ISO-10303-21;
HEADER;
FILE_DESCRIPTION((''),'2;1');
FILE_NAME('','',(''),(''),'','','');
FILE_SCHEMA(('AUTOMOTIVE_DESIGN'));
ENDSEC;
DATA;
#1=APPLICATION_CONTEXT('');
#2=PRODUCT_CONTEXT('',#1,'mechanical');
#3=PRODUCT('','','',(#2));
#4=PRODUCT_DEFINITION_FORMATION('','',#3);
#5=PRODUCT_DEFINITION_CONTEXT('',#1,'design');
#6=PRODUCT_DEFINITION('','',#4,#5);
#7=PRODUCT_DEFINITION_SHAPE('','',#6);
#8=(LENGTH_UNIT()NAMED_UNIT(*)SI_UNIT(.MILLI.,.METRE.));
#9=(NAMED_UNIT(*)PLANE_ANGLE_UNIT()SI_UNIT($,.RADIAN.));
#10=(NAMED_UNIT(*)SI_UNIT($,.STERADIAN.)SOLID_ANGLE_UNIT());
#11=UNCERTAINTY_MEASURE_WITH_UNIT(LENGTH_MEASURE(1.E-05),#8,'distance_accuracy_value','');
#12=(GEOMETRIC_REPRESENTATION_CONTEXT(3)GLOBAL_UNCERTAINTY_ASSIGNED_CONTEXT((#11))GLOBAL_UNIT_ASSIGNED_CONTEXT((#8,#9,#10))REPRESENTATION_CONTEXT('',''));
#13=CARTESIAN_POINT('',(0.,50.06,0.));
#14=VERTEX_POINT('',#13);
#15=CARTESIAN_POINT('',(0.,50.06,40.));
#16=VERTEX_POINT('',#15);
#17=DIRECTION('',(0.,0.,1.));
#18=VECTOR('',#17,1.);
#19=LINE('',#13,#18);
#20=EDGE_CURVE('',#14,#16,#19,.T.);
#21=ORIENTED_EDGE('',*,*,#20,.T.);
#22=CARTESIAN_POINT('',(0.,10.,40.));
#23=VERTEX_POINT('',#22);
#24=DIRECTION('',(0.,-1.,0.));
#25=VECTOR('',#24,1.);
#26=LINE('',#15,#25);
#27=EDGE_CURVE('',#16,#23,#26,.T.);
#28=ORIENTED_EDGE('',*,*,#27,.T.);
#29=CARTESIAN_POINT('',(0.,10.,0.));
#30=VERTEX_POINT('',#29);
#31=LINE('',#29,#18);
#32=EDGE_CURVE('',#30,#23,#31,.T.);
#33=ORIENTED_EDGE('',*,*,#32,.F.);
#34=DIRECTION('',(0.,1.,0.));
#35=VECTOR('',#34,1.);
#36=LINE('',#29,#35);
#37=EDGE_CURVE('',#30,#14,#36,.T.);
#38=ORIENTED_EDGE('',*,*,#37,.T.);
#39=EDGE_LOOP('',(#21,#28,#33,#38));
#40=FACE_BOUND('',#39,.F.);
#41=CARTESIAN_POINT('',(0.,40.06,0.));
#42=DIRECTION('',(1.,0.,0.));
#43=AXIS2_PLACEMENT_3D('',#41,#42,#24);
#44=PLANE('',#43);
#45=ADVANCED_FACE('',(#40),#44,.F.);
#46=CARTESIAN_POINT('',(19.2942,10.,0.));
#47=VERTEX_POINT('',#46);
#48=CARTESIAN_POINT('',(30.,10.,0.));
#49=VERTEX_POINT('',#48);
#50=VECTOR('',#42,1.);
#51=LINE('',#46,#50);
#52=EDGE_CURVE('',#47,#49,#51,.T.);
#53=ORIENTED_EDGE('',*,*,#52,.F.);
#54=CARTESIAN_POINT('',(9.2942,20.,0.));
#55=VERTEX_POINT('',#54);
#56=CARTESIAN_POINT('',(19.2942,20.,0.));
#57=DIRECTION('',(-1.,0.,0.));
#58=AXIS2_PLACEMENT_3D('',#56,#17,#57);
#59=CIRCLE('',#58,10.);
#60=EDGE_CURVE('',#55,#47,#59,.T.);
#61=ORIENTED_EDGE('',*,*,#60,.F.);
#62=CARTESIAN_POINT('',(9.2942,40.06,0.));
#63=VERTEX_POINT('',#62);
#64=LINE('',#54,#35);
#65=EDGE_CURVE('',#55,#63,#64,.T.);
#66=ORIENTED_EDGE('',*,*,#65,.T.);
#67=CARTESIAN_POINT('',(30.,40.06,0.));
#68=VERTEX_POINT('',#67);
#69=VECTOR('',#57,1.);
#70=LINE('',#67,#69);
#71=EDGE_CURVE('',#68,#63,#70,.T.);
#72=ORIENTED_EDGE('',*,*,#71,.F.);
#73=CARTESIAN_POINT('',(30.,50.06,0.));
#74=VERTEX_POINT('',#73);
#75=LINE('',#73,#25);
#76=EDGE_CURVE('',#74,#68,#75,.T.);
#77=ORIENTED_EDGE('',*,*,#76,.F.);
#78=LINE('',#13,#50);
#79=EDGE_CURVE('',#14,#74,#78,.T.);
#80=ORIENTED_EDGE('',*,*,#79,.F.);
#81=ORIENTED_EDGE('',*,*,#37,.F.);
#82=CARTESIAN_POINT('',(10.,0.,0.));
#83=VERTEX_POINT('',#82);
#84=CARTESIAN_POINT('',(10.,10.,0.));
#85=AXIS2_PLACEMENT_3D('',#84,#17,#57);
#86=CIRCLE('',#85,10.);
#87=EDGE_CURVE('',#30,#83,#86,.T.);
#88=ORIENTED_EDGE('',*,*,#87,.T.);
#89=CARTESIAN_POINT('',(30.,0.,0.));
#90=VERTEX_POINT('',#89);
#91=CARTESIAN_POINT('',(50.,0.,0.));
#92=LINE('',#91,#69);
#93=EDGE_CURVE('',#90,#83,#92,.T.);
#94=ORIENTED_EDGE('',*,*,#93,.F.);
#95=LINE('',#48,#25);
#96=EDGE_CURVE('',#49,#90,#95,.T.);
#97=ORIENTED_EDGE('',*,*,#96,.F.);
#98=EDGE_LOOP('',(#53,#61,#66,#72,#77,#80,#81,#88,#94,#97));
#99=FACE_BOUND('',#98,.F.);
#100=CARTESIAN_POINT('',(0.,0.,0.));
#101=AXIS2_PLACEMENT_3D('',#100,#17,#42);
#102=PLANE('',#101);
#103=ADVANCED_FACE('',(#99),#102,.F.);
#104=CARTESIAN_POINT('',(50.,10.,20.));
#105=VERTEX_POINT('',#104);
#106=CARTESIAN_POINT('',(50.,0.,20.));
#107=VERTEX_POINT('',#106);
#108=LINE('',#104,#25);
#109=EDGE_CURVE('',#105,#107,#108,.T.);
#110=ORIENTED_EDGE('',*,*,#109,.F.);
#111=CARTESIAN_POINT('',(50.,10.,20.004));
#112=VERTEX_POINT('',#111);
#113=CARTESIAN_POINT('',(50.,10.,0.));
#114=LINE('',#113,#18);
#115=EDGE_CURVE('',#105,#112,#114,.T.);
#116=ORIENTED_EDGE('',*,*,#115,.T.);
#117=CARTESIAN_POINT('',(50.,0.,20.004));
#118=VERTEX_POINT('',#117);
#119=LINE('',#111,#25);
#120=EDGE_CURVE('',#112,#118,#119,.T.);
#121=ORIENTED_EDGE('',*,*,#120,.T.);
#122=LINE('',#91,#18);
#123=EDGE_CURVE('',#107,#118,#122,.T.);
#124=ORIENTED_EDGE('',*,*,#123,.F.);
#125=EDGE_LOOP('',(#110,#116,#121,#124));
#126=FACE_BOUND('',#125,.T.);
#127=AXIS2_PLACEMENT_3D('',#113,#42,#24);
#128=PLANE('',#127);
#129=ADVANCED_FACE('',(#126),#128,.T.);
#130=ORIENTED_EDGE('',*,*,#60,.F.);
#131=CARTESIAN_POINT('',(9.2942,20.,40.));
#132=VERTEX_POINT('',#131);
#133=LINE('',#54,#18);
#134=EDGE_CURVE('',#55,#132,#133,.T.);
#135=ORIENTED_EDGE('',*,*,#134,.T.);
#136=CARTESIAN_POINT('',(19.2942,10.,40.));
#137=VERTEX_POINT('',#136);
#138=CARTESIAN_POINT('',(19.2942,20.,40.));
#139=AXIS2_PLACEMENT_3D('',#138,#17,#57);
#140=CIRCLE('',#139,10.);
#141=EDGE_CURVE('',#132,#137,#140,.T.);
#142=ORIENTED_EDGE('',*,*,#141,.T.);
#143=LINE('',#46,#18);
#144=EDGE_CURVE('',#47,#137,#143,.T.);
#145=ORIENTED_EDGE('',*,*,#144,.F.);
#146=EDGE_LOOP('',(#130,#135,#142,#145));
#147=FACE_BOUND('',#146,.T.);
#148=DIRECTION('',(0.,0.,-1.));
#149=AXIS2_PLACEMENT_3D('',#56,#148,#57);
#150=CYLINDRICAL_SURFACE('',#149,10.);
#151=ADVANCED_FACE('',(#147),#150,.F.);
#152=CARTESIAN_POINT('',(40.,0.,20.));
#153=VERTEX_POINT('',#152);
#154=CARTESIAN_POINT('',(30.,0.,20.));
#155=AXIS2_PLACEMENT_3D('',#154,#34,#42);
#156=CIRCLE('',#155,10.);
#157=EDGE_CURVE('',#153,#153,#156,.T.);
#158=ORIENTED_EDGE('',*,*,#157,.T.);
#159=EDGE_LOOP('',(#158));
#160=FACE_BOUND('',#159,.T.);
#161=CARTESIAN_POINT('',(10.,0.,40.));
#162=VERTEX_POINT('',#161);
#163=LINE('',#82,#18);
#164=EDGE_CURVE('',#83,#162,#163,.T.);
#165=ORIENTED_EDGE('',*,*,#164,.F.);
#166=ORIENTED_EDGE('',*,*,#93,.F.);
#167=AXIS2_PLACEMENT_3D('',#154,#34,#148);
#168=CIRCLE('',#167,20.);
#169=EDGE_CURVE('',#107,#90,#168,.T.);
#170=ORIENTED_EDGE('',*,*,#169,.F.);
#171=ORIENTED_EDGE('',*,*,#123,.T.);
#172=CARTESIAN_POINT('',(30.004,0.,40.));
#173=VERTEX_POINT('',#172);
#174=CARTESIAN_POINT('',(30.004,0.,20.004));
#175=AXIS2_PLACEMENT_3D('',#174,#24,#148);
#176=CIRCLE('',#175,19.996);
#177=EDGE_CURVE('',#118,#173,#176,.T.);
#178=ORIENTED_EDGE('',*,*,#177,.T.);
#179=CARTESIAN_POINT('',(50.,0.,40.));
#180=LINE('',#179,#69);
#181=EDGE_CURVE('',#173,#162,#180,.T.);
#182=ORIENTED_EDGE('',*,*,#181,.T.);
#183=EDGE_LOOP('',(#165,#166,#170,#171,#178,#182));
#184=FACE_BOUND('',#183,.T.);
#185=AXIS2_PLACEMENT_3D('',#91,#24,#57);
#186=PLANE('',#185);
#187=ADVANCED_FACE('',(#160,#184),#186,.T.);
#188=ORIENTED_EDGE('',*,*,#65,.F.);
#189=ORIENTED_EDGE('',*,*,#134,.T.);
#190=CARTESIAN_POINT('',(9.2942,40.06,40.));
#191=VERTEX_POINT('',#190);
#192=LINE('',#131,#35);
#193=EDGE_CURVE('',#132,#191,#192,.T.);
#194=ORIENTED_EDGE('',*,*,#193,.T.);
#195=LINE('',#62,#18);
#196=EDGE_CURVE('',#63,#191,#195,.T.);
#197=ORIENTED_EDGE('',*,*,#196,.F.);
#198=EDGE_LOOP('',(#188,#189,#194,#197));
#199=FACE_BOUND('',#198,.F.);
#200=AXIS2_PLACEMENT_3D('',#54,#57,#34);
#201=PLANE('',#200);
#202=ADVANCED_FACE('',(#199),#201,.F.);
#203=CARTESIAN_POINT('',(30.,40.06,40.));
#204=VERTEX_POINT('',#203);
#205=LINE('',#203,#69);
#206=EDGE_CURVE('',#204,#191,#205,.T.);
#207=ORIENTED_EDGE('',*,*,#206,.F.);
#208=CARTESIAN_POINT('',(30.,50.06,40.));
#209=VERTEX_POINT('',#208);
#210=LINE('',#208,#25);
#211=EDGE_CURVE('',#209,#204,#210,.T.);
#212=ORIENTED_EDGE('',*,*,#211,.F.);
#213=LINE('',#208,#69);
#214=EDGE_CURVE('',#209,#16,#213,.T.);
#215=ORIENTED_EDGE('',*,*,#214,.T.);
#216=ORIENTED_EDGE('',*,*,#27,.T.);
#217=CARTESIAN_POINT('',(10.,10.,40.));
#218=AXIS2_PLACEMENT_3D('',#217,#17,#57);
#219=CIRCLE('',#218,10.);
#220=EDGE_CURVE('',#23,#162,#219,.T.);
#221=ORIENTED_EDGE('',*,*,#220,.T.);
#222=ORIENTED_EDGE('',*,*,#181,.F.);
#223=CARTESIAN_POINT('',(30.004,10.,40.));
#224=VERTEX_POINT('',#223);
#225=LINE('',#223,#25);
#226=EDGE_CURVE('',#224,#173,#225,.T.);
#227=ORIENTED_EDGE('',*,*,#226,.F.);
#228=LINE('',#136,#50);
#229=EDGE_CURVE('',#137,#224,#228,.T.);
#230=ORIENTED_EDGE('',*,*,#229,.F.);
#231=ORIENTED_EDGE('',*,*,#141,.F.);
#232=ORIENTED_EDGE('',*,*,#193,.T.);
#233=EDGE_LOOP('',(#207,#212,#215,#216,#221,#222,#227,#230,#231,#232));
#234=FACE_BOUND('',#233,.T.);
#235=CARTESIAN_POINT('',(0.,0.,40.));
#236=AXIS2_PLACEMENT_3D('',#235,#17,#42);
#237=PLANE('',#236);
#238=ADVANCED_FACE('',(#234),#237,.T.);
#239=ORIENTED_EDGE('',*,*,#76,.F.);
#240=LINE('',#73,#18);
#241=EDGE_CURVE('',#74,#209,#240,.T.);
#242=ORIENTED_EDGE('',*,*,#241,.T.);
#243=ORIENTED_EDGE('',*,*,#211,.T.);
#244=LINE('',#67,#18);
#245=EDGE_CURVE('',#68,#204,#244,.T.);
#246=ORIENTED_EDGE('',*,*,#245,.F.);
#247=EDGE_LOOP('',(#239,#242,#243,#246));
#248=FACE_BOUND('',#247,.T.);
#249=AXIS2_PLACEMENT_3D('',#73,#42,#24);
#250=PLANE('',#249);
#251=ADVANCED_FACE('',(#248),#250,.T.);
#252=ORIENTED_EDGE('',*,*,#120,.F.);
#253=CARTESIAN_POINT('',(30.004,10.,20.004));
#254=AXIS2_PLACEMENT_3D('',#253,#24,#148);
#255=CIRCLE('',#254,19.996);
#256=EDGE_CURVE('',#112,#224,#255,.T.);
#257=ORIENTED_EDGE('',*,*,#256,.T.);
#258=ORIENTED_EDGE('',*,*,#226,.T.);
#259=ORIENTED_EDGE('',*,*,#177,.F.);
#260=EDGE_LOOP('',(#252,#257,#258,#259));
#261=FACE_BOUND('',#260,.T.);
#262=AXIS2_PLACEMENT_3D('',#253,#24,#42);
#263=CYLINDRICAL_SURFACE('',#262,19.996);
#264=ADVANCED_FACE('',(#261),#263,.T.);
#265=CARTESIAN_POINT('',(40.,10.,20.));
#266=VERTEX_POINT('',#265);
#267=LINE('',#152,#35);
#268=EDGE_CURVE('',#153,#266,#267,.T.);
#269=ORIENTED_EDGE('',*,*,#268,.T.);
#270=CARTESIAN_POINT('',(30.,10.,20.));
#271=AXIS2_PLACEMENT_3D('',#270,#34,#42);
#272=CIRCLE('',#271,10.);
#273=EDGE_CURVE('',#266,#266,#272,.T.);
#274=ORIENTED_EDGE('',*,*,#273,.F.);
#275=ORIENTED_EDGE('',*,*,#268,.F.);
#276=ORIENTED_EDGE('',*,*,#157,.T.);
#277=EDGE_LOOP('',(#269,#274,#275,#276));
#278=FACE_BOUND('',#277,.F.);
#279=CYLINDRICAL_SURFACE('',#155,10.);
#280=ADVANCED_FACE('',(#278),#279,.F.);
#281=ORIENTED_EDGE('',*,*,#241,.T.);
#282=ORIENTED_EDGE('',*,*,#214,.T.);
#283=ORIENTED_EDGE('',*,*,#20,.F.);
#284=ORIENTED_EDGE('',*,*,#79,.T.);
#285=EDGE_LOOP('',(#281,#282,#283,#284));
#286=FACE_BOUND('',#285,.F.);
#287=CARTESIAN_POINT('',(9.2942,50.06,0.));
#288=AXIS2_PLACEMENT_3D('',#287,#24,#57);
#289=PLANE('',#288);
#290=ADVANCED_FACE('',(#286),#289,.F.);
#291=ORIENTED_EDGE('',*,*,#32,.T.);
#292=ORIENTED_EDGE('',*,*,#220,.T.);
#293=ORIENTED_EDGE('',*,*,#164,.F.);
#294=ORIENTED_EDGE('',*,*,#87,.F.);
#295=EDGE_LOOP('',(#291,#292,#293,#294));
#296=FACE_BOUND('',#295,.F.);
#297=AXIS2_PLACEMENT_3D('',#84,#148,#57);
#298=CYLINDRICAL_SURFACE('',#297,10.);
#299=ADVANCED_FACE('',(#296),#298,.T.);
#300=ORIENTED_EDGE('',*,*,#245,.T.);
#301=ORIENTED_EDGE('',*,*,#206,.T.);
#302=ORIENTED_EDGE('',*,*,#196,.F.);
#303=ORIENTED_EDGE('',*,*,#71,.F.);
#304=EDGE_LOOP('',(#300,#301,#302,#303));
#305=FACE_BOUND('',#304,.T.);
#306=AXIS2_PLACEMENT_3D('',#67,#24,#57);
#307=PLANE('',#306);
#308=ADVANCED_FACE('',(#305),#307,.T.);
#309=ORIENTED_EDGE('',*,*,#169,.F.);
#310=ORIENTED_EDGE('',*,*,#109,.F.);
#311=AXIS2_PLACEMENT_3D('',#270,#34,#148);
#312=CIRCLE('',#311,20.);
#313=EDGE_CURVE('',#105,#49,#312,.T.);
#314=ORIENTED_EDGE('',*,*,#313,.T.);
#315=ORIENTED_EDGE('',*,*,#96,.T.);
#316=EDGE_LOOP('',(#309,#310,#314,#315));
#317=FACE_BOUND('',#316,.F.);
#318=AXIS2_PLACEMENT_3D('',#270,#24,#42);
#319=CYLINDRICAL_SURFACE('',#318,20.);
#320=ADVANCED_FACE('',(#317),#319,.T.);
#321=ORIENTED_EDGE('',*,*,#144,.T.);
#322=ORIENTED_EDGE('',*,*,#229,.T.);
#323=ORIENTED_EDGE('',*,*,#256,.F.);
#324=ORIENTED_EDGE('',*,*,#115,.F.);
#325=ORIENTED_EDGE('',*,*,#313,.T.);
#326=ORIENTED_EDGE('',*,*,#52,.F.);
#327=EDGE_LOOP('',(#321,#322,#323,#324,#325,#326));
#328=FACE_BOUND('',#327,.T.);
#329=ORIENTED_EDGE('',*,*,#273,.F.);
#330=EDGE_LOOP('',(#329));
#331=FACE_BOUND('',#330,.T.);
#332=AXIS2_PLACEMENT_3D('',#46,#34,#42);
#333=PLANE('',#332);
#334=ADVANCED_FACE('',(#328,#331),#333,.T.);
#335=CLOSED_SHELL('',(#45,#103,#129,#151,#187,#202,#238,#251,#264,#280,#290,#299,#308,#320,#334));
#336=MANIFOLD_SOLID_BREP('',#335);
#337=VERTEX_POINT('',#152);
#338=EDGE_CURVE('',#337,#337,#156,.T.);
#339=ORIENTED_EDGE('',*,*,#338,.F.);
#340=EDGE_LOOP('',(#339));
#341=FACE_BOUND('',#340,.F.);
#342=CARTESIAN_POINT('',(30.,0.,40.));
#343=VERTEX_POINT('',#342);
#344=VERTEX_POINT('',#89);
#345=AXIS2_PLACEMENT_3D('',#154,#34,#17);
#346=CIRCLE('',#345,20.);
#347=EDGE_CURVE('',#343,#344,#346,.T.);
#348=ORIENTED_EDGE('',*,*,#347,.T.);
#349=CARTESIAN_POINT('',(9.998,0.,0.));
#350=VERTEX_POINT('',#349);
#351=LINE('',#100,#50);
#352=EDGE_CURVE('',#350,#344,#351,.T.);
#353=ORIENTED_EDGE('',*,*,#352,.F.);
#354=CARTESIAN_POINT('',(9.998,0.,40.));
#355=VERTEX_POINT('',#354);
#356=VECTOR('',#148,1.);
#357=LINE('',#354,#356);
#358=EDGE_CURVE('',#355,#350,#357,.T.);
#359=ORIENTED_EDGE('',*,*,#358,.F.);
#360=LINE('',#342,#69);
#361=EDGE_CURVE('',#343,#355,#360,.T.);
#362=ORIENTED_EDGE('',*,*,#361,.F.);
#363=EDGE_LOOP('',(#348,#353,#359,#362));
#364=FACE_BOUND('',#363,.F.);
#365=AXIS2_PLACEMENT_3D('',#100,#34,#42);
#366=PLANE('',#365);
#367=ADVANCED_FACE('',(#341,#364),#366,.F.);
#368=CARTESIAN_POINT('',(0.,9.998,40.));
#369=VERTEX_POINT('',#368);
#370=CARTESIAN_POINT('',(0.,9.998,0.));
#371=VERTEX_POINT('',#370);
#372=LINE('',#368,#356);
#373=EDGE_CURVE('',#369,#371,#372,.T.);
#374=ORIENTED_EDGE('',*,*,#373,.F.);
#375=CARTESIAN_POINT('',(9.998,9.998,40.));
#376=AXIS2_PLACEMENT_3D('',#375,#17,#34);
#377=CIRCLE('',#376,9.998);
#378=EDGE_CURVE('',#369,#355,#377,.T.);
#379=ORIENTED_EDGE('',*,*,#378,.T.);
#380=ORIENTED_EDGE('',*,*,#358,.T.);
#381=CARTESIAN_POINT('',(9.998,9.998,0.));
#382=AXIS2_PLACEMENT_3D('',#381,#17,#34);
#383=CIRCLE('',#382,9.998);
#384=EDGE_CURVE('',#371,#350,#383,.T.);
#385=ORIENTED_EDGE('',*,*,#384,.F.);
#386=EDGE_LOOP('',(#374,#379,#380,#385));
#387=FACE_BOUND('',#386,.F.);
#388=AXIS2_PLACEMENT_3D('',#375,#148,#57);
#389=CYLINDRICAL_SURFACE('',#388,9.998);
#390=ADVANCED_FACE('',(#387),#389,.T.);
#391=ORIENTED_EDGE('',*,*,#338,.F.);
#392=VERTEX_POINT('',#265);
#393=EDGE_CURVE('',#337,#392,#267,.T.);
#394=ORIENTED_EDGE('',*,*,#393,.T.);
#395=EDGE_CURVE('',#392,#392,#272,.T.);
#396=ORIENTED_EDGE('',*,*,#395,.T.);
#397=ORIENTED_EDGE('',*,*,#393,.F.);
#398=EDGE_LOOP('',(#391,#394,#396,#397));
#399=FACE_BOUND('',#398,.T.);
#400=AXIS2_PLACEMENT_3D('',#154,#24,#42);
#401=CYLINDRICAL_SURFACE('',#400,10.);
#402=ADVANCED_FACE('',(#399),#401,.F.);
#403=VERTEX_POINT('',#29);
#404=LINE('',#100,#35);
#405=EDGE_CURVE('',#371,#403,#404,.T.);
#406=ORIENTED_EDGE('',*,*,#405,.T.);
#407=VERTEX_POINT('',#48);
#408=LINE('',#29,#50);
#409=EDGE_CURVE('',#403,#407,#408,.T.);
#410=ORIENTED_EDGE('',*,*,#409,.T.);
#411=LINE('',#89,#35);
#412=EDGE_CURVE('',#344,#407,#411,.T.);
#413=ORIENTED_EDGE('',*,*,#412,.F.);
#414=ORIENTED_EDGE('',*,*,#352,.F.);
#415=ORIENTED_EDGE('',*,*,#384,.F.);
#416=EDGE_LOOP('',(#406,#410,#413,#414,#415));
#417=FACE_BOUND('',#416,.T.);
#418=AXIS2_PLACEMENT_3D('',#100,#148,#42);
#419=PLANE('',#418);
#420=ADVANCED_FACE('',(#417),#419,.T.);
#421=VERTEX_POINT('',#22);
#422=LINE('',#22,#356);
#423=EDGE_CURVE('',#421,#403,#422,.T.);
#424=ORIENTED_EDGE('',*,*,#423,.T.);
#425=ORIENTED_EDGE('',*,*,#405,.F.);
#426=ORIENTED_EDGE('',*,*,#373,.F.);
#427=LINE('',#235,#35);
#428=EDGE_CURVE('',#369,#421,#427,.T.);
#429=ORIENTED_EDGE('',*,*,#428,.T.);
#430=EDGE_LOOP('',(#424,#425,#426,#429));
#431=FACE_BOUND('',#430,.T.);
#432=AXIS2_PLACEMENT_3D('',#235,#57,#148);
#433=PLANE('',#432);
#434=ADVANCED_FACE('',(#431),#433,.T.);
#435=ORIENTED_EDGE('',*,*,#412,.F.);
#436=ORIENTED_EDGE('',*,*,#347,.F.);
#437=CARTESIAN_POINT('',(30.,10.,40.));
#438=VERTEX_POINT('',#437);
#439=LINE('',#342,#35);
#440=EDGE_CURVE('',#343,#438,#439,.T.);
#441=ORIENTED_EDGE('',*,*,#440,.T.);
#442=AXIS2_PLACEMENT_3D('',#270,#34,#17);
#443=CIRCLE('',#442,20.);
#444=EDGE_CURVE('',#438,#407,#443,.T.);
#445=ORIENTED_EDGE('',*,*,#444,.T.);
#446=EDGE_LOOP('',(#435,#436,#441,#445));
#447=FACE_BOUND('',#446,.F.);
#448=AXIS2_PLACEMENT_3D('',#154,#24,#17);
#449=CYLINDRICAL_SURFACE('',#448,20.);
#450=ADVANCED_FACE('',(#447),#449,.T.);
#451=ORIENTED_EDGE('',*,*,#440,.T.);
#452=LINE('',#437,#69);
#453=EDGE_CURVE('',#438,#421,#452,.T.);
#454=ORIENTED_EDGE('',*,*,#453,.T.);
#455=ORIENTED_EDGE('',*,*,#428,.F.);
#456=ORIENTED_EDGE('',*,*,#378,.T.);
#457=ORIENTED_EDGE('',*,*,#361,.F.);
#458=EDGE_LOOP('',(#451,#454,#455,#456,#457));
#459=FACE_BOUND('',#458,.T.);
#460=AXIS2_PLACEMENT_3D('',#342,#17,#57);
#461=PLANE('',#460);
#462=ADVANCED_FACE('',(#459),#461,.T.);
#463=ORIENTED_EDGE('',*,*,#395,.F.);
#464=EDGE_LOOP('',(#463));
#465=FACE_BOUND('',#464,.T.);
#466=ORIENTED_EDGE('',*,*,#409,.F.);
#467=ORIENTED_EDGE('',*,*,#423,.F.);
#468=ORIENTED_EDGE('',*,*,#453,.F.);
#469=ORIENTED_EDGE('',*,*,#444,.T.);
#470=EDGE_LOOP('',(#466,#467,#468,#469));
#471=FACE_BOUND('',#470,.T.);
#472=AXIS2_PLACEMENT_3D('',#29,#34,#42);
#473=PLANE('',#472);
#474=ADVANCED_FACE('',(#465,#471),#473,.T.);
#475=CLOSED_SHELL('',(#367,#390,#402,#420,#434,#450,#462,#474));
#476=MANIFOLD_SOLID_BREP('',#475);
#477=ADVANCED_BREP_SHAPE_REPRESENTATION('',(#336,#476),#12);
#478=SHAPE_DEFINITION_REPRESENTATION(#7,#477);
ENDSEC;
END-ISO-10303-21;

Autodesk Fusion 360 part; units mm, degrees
sketch "Sketch1" plane through (0, 0, 0) normal (0, 1, 0) x (1, 0, 0)
  line L0 (0, 0) -> (30, 0)
  line L1 (30, -40) -> (0, -40)
  line L2 (0, -40) -> (0, 0)
  circle A0 centre (30, -20) radius 10
  arc A1 (30, -40) -> (30, 0) centre (30, -20) ccw
  dimension "d1" = 30
  dimension "d2" = 40
  dimension "d3" = 20
sketch "Sketch2" plane through (0, 0, 0) normal (0, 0, 1) x (1, 0, 0)
  line L0 (10, 0) -> (9.2942, 0)
  line L1 (9.2942, 20) -> (9.2942, 40.06)
  line L2 (9.2942, 50.06) -> (0, 50.06)
  line L3 (0, 50.06) -> (0, 10)
  line L4 (50, 0) -> (9.2942, 0)
  line L5 (19.2942, 10) -> (50, 10)
  line L6 (50, 10) -> (50, 0)
  line L7 (0, 50.06) -> (30, 50.06)
  line L8 (30, 50.06) -> (30, 40.06)
  line L9 (30, 40.06) -> (9.2942, 40.06)
  line L10 (0, 40.06) -> (0, 50.06)
  arc A0 (0, 10) -> (10, 0) centre (10, 10) ccw
  arc A1 (9.2942, 20) -> (19.2942, 10) centre (19.2942, 20) ccw
  dimension "d4" = 50.06
  dimension "d5" = 10
  dimension "d6" = 30
  dimension "d7" = 10
  dimension "d8" = 10
  dimension "d9" = 10
sketch "Sketch3" plane through (0, 0, 0) normal (0, 0, 1) x (1, 0, 0)
sketch "Sketch4" plane through (0, 0, 0) normal (1, 0, 0) x (0, 0, -1)
  line L0 (-40, 10) -> (-40, 50)
  line L1 (-40, 50) -> (0, 50)
  line L2 (0, 50) -> (0, 10)
  line L3 (0, 10) -> (-40, 10)
  line L4 (-40, 10) -> (-40, 50)
  line L5 (-40, 50) -> (0, 50)
  line L6 (0, 50) -> (0, 10)
extrude "Extrude1" add sketch "Sketch2" along normal blind 40 makes body 1
extrude "Extrude2" add sketch "Sketch1" along normal blind 10 separate body makes body 2
fillet "Fillet1" radius 10 1 edges at (0, 0, 20) on bodies 2
fillet "Fillet2" radius 20 1 edges at (50, 5, 0) on bodies 1
fillet "Fillet3" radius 20 1 edges at (50, 5, 40) on bodies 1
cylinder "CylinderPrimitive1" cut diameter 20 height 25 placed x (1, 0, 0) y (0, 0, -1) z (0, 1, 0) at (30, 0, 20) bodies 1
